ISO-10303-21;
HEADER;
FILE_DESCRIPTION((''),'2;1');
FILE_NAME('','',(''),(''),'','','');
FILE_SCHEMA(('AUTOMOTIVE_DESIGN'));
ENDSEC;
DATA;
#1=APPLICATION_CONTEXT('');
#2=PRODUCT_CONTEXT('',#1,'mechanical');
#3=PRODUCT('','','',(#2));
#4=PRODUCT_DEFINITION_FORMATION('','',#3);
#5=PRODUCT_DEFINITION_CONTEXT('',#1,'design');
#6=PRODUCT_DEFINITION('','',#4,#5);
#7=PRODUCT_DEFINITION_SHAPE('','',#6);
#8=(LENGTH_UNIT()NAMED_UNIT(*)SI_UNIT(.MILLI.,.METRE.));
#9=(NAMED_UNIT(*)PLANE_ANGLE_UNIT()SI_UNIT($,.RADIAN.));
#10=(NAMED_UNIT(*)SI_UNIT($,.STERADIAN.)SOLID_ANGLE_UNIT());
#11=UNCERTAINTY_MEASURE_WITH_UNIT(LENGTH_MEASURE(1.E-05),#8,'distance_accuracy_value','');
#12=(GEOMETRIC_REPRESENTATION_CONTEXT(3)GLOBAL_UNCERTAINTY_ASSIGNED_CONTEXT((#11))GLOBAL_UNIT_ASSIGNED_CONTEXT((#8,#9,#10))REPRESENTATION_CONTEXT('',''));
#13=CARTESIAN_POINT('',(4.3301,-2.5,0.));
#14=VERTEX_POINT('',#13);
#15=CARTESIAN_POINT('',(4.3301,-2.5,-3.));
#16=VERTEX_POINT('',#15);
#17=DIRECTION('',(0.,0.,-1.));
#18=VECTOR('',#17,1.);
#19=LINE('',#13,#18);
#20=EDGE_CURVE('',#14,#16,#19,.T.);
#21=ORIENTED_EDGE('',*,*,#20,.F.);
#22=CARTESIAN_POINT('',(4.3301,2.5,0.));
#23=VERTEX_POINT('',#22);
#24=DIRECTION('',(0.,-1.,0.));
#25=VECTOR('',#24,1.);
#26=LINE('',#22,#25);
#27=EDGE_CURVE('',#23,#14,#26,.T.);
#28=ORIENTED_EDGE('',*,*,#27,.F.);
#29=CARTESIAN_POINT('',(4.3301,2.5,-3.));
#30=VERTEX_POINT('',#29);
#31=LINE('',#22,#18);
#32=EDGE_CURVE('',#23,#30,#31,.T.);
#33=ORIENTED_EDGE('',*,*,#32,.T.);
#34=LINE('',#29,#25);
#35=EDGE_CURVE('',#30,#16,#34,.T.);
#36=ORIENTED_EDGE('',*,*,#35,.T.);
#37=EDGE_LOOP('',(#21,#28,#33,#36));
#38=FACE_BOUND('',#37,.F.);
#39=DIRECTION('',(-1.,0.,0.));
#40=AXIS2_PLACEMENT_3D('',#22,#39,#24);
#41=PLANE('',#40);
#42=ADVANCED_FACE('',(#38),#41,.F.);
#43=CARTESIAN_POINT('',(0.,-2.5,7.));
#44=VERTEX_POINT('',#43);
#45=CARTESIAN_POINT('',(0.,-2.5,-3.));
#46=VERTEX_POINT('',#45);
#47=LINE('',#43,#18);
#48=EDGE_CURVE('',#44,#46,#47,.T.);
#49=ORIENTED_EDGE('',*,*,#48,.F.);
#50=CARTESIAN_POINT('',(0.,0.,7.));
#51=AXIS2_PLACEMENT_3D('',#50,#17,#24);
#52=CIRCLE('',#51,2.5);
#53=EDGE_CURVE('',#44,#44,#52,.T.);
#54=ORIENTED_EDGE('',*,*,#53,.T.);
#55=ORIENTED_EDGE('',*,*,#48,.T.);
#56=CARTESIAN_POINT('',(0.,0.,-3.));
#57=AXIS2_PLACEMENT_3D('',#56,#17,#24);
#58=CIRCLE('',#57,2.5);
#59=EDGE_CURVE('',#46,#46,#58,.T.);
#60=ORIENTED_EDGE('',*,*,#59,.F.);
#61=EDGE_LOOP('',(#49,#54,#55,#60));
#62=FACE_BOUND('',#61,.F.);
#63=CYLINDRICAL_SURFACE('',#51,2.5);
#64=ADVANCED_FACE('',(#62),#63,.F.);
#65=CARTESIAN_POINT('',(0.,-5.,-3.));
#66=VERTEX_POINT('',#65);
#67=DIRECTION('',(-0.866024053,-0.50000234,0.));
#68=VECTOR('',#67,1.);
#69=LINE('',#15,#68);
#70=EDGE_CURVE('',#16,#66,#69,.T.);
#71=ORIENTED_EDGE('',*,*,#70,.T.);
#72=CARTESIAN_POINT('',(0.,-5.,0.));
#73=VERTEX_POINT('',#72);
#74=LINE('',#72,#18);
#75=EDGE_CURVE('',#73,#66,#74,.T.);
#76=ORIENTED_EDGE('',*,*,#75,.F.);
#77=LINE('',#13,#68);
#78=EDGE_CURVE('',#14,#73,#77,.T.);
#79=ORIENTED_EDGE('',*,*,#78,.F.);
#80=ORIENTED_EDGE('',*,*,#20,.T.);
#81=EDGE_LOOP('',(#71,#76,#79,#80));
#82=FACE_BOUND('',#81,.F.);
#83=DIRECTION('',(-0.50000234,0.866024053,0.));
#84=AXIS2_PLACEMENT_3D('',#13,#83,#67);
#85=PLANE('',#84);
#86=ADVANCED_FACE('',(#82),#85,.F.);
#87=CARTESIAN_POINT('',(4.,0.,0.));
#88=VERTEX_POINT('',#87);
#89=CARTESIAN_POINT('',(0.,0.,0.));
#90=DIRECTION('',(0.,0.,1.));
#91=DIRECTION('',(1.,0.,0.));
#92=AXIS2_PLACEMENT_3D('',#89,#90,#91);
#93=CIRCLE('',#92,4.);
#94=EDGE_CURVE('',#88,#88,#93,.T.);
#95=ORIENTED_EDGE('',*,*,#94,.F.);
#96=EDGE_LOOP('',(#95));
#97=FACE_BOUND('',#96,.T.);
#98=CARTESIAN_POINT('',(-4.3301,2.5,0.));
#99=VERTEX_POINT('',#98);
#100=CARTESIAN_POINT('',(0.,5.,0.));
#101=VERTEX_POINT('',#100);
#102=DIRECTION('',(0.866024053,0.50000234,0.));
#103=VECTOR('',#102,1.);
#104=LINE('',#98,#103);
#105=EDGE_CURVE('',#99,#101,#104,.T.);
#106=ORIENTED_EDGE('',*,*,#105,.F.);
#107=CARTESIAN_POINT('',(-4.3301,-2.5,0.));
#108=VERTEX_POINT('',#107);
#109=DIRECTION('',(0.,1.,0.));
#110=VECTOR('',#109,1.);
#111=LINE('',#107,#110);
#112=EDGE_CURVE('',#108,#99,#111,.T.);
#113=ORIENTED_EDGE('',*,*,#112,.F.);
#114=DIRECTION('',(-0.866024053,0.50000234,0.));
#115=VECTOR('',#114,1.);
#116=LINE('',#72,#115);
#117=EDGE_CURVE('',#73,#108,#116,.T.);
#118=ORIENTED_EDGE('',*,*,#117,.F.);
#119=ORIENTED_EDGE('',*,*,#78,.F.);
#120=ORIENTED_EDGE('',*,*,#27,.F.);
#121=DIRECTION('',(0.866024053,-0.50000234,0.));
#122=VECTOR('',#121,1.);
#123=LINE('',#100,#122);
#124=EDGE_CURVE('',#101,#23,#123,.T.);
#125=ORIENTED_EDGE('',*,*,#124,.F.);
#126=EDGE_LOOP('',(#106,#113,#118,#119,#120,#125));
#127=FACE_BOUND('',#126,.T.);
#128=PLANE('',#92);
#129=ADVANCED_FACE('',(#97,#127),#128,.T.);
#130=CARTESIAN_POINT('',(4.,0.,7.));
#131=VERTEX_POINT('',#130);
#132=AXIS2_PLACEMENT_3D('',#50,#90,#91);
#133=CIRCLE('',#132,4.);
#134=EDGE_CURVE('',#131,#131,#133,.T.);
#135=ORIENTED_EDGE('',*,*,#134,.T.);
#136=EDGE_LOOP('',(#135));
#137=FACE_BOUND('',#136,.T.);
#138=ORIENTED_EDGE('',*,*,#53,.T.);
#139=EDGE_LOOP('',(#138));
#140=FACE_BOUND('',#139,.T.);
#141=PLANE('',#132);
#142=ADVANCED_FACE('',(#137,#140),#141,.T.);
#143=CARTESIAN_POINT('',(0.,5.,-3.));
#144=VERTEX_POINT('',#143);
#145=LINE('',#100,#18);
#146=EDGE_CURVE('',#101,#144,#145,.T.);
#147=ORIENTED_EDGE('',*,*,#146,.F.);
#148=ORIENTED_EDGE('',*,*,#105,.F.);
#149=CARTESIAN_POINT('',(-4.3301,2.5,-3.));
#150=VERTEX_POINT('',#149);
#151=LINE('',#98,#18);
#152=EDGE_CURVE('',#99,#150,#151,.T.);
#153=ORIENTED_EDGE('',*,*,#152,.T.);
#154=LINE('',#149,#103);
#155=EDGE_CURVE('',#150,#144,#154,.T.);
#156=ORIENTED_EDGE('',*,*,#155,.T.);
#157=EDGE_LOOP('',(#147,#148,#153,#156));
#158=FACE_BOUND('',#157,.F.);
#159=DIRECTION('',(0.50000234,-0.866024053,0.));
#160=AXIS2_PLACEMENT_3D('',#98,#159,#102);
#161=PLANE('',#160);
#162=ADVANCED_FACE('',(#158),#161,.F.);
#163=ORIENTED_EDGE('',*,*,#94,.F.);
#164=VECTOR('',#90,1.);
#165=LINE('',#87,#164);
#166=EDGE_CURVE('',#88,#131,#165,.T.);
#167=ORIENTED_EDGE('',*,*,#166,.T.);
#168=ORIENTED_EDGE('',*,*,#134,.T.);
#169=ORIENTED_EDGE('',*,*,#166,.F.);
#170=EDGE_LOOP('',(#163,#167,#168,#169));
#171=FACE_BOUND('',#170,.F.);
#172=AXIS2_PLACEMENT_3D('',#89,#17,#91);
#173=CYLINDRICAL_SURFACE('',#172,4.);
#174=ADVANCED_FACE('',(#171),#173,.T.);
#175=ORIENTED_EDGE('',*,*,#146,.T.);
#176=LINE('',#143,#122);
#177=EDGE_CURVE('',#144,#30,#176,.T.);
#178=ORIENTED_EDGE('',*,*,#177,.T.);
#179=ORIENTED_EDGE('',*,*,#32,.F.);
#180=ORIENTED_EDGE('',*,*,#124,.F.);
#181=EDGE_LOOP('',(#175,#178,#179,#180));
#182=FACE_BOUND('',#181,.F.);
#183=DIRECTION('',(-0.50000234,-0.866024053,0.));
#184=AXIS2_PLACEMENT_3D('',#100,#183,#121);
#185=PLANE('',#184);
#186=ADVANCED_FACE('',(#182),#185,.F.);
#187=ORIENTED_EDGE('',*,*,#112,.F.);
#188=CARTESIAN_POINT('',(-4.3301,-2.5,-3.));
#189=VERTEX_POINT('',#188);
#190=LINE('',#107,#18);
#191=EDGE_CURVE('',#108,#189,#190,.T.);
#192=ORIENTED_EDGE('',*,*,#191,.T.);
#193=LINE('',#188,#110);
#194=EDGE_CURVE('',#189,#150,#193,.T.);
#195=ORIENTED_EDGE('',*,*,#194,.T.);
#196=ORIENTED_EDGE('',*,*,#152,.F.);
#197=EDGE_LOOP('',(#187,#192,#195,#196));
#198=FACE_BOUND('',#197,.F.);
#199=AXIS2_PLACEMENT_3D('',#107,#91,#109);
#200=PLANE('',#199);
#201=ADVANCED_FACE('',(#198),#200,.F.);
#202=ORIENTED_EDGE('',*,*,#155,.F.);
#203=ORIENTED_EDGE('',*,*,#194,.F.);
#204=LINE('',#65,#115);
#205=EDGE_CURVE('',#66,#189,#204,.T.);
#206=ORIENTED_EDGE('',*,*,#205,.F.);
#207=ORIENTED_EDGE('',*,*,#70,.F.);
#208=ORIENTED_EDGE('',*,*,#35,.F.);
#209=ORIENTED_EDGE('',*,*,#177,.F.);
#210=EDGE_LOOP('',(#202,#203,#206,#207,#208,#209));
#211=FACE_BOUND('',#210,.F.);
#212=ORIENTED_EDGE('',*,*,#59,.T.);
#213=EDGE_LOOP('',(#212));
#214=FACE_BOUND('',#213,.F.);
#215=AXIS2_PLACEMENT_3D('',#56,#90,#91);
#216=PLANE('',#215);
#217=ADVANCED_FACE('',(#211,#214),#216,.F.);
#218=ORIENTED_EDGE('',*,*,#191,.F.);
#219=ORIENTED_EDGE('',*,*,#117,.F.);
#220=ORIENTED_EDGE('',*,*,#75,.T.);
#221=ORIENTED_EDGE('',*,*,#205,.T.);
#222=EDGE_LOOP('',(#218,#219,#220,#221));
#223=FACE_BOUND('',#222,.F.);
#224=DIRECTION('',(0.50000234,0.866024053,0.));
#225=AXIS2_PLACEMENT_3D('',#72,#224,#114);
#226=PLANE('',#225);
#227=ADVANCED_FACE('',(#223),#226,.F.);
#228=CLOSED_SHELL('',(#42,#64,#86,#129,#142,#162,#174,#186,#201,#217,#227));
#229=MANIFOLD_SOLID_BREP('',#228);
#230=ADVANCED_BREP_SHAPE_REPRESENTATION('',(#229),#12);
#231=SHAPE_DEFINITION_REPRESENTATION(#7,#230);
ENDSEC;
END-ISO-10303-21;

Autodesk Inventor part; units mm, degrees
ref_plane "YZ Plane" through (0, 0, 0) normal (1, 0, 0) x (0, 1, 0)
ref_plane "XZ Plane" through (0, 0, 0) normal (0, 1, 0) x (-1, 0, 0)
ref_plane "XY Plane" through (0, 0, 0) normal (0, 0, 1) x (1, 0, 0)
sketch "Sketch1" plane through (0, 0, 0) normal (0, 0, 1) x (1, 0, 0)
  line L0 (0, 5) -> (4.3301, 2.5)
  line L1 (4.3301, 2.5) -> (4.3301, -2.5)
  line L2 (4.3301, -2.5) -> (0, -5)
  line L3 (0, -5) -> (-4.3301, -2.5)
  line L4 (-4.3301, -2.5) -> (-4.3301, 2.5)
  line L5 (-4.3301, 2.5) -> (0, 5)
  point P0 (0, 0)
  point P1 (0, 0)
  dimension "d0" = 10
extrude "Extrusion1" add sketch "Sketch1" against normal blind 3
sketch "Sketch2" plane through (0, 0, 0) normal (0, 0, 1) x (1, 0, 0)
  circle A0 centre (0, 0) radius 4
  dimension "d3" = 8
extrude "Extrusion2" add sketch "Sketch2" along normal blind 7
sketch "Sketch3" plane through (0, 0, 7) normal (0, 0, 1) x (1, 0, 0)
  circle A0 centre (0, 0) radius 4 projected
hole "Hole1" at (0, 0, 7) direction (0, 0, -1) diameter 5 depth 10
thread "Thread1" size "M8x1.25" class "6g" standard "ANSI Metric M Profile" full length
properties part number "156 part 2" material "Gold"
